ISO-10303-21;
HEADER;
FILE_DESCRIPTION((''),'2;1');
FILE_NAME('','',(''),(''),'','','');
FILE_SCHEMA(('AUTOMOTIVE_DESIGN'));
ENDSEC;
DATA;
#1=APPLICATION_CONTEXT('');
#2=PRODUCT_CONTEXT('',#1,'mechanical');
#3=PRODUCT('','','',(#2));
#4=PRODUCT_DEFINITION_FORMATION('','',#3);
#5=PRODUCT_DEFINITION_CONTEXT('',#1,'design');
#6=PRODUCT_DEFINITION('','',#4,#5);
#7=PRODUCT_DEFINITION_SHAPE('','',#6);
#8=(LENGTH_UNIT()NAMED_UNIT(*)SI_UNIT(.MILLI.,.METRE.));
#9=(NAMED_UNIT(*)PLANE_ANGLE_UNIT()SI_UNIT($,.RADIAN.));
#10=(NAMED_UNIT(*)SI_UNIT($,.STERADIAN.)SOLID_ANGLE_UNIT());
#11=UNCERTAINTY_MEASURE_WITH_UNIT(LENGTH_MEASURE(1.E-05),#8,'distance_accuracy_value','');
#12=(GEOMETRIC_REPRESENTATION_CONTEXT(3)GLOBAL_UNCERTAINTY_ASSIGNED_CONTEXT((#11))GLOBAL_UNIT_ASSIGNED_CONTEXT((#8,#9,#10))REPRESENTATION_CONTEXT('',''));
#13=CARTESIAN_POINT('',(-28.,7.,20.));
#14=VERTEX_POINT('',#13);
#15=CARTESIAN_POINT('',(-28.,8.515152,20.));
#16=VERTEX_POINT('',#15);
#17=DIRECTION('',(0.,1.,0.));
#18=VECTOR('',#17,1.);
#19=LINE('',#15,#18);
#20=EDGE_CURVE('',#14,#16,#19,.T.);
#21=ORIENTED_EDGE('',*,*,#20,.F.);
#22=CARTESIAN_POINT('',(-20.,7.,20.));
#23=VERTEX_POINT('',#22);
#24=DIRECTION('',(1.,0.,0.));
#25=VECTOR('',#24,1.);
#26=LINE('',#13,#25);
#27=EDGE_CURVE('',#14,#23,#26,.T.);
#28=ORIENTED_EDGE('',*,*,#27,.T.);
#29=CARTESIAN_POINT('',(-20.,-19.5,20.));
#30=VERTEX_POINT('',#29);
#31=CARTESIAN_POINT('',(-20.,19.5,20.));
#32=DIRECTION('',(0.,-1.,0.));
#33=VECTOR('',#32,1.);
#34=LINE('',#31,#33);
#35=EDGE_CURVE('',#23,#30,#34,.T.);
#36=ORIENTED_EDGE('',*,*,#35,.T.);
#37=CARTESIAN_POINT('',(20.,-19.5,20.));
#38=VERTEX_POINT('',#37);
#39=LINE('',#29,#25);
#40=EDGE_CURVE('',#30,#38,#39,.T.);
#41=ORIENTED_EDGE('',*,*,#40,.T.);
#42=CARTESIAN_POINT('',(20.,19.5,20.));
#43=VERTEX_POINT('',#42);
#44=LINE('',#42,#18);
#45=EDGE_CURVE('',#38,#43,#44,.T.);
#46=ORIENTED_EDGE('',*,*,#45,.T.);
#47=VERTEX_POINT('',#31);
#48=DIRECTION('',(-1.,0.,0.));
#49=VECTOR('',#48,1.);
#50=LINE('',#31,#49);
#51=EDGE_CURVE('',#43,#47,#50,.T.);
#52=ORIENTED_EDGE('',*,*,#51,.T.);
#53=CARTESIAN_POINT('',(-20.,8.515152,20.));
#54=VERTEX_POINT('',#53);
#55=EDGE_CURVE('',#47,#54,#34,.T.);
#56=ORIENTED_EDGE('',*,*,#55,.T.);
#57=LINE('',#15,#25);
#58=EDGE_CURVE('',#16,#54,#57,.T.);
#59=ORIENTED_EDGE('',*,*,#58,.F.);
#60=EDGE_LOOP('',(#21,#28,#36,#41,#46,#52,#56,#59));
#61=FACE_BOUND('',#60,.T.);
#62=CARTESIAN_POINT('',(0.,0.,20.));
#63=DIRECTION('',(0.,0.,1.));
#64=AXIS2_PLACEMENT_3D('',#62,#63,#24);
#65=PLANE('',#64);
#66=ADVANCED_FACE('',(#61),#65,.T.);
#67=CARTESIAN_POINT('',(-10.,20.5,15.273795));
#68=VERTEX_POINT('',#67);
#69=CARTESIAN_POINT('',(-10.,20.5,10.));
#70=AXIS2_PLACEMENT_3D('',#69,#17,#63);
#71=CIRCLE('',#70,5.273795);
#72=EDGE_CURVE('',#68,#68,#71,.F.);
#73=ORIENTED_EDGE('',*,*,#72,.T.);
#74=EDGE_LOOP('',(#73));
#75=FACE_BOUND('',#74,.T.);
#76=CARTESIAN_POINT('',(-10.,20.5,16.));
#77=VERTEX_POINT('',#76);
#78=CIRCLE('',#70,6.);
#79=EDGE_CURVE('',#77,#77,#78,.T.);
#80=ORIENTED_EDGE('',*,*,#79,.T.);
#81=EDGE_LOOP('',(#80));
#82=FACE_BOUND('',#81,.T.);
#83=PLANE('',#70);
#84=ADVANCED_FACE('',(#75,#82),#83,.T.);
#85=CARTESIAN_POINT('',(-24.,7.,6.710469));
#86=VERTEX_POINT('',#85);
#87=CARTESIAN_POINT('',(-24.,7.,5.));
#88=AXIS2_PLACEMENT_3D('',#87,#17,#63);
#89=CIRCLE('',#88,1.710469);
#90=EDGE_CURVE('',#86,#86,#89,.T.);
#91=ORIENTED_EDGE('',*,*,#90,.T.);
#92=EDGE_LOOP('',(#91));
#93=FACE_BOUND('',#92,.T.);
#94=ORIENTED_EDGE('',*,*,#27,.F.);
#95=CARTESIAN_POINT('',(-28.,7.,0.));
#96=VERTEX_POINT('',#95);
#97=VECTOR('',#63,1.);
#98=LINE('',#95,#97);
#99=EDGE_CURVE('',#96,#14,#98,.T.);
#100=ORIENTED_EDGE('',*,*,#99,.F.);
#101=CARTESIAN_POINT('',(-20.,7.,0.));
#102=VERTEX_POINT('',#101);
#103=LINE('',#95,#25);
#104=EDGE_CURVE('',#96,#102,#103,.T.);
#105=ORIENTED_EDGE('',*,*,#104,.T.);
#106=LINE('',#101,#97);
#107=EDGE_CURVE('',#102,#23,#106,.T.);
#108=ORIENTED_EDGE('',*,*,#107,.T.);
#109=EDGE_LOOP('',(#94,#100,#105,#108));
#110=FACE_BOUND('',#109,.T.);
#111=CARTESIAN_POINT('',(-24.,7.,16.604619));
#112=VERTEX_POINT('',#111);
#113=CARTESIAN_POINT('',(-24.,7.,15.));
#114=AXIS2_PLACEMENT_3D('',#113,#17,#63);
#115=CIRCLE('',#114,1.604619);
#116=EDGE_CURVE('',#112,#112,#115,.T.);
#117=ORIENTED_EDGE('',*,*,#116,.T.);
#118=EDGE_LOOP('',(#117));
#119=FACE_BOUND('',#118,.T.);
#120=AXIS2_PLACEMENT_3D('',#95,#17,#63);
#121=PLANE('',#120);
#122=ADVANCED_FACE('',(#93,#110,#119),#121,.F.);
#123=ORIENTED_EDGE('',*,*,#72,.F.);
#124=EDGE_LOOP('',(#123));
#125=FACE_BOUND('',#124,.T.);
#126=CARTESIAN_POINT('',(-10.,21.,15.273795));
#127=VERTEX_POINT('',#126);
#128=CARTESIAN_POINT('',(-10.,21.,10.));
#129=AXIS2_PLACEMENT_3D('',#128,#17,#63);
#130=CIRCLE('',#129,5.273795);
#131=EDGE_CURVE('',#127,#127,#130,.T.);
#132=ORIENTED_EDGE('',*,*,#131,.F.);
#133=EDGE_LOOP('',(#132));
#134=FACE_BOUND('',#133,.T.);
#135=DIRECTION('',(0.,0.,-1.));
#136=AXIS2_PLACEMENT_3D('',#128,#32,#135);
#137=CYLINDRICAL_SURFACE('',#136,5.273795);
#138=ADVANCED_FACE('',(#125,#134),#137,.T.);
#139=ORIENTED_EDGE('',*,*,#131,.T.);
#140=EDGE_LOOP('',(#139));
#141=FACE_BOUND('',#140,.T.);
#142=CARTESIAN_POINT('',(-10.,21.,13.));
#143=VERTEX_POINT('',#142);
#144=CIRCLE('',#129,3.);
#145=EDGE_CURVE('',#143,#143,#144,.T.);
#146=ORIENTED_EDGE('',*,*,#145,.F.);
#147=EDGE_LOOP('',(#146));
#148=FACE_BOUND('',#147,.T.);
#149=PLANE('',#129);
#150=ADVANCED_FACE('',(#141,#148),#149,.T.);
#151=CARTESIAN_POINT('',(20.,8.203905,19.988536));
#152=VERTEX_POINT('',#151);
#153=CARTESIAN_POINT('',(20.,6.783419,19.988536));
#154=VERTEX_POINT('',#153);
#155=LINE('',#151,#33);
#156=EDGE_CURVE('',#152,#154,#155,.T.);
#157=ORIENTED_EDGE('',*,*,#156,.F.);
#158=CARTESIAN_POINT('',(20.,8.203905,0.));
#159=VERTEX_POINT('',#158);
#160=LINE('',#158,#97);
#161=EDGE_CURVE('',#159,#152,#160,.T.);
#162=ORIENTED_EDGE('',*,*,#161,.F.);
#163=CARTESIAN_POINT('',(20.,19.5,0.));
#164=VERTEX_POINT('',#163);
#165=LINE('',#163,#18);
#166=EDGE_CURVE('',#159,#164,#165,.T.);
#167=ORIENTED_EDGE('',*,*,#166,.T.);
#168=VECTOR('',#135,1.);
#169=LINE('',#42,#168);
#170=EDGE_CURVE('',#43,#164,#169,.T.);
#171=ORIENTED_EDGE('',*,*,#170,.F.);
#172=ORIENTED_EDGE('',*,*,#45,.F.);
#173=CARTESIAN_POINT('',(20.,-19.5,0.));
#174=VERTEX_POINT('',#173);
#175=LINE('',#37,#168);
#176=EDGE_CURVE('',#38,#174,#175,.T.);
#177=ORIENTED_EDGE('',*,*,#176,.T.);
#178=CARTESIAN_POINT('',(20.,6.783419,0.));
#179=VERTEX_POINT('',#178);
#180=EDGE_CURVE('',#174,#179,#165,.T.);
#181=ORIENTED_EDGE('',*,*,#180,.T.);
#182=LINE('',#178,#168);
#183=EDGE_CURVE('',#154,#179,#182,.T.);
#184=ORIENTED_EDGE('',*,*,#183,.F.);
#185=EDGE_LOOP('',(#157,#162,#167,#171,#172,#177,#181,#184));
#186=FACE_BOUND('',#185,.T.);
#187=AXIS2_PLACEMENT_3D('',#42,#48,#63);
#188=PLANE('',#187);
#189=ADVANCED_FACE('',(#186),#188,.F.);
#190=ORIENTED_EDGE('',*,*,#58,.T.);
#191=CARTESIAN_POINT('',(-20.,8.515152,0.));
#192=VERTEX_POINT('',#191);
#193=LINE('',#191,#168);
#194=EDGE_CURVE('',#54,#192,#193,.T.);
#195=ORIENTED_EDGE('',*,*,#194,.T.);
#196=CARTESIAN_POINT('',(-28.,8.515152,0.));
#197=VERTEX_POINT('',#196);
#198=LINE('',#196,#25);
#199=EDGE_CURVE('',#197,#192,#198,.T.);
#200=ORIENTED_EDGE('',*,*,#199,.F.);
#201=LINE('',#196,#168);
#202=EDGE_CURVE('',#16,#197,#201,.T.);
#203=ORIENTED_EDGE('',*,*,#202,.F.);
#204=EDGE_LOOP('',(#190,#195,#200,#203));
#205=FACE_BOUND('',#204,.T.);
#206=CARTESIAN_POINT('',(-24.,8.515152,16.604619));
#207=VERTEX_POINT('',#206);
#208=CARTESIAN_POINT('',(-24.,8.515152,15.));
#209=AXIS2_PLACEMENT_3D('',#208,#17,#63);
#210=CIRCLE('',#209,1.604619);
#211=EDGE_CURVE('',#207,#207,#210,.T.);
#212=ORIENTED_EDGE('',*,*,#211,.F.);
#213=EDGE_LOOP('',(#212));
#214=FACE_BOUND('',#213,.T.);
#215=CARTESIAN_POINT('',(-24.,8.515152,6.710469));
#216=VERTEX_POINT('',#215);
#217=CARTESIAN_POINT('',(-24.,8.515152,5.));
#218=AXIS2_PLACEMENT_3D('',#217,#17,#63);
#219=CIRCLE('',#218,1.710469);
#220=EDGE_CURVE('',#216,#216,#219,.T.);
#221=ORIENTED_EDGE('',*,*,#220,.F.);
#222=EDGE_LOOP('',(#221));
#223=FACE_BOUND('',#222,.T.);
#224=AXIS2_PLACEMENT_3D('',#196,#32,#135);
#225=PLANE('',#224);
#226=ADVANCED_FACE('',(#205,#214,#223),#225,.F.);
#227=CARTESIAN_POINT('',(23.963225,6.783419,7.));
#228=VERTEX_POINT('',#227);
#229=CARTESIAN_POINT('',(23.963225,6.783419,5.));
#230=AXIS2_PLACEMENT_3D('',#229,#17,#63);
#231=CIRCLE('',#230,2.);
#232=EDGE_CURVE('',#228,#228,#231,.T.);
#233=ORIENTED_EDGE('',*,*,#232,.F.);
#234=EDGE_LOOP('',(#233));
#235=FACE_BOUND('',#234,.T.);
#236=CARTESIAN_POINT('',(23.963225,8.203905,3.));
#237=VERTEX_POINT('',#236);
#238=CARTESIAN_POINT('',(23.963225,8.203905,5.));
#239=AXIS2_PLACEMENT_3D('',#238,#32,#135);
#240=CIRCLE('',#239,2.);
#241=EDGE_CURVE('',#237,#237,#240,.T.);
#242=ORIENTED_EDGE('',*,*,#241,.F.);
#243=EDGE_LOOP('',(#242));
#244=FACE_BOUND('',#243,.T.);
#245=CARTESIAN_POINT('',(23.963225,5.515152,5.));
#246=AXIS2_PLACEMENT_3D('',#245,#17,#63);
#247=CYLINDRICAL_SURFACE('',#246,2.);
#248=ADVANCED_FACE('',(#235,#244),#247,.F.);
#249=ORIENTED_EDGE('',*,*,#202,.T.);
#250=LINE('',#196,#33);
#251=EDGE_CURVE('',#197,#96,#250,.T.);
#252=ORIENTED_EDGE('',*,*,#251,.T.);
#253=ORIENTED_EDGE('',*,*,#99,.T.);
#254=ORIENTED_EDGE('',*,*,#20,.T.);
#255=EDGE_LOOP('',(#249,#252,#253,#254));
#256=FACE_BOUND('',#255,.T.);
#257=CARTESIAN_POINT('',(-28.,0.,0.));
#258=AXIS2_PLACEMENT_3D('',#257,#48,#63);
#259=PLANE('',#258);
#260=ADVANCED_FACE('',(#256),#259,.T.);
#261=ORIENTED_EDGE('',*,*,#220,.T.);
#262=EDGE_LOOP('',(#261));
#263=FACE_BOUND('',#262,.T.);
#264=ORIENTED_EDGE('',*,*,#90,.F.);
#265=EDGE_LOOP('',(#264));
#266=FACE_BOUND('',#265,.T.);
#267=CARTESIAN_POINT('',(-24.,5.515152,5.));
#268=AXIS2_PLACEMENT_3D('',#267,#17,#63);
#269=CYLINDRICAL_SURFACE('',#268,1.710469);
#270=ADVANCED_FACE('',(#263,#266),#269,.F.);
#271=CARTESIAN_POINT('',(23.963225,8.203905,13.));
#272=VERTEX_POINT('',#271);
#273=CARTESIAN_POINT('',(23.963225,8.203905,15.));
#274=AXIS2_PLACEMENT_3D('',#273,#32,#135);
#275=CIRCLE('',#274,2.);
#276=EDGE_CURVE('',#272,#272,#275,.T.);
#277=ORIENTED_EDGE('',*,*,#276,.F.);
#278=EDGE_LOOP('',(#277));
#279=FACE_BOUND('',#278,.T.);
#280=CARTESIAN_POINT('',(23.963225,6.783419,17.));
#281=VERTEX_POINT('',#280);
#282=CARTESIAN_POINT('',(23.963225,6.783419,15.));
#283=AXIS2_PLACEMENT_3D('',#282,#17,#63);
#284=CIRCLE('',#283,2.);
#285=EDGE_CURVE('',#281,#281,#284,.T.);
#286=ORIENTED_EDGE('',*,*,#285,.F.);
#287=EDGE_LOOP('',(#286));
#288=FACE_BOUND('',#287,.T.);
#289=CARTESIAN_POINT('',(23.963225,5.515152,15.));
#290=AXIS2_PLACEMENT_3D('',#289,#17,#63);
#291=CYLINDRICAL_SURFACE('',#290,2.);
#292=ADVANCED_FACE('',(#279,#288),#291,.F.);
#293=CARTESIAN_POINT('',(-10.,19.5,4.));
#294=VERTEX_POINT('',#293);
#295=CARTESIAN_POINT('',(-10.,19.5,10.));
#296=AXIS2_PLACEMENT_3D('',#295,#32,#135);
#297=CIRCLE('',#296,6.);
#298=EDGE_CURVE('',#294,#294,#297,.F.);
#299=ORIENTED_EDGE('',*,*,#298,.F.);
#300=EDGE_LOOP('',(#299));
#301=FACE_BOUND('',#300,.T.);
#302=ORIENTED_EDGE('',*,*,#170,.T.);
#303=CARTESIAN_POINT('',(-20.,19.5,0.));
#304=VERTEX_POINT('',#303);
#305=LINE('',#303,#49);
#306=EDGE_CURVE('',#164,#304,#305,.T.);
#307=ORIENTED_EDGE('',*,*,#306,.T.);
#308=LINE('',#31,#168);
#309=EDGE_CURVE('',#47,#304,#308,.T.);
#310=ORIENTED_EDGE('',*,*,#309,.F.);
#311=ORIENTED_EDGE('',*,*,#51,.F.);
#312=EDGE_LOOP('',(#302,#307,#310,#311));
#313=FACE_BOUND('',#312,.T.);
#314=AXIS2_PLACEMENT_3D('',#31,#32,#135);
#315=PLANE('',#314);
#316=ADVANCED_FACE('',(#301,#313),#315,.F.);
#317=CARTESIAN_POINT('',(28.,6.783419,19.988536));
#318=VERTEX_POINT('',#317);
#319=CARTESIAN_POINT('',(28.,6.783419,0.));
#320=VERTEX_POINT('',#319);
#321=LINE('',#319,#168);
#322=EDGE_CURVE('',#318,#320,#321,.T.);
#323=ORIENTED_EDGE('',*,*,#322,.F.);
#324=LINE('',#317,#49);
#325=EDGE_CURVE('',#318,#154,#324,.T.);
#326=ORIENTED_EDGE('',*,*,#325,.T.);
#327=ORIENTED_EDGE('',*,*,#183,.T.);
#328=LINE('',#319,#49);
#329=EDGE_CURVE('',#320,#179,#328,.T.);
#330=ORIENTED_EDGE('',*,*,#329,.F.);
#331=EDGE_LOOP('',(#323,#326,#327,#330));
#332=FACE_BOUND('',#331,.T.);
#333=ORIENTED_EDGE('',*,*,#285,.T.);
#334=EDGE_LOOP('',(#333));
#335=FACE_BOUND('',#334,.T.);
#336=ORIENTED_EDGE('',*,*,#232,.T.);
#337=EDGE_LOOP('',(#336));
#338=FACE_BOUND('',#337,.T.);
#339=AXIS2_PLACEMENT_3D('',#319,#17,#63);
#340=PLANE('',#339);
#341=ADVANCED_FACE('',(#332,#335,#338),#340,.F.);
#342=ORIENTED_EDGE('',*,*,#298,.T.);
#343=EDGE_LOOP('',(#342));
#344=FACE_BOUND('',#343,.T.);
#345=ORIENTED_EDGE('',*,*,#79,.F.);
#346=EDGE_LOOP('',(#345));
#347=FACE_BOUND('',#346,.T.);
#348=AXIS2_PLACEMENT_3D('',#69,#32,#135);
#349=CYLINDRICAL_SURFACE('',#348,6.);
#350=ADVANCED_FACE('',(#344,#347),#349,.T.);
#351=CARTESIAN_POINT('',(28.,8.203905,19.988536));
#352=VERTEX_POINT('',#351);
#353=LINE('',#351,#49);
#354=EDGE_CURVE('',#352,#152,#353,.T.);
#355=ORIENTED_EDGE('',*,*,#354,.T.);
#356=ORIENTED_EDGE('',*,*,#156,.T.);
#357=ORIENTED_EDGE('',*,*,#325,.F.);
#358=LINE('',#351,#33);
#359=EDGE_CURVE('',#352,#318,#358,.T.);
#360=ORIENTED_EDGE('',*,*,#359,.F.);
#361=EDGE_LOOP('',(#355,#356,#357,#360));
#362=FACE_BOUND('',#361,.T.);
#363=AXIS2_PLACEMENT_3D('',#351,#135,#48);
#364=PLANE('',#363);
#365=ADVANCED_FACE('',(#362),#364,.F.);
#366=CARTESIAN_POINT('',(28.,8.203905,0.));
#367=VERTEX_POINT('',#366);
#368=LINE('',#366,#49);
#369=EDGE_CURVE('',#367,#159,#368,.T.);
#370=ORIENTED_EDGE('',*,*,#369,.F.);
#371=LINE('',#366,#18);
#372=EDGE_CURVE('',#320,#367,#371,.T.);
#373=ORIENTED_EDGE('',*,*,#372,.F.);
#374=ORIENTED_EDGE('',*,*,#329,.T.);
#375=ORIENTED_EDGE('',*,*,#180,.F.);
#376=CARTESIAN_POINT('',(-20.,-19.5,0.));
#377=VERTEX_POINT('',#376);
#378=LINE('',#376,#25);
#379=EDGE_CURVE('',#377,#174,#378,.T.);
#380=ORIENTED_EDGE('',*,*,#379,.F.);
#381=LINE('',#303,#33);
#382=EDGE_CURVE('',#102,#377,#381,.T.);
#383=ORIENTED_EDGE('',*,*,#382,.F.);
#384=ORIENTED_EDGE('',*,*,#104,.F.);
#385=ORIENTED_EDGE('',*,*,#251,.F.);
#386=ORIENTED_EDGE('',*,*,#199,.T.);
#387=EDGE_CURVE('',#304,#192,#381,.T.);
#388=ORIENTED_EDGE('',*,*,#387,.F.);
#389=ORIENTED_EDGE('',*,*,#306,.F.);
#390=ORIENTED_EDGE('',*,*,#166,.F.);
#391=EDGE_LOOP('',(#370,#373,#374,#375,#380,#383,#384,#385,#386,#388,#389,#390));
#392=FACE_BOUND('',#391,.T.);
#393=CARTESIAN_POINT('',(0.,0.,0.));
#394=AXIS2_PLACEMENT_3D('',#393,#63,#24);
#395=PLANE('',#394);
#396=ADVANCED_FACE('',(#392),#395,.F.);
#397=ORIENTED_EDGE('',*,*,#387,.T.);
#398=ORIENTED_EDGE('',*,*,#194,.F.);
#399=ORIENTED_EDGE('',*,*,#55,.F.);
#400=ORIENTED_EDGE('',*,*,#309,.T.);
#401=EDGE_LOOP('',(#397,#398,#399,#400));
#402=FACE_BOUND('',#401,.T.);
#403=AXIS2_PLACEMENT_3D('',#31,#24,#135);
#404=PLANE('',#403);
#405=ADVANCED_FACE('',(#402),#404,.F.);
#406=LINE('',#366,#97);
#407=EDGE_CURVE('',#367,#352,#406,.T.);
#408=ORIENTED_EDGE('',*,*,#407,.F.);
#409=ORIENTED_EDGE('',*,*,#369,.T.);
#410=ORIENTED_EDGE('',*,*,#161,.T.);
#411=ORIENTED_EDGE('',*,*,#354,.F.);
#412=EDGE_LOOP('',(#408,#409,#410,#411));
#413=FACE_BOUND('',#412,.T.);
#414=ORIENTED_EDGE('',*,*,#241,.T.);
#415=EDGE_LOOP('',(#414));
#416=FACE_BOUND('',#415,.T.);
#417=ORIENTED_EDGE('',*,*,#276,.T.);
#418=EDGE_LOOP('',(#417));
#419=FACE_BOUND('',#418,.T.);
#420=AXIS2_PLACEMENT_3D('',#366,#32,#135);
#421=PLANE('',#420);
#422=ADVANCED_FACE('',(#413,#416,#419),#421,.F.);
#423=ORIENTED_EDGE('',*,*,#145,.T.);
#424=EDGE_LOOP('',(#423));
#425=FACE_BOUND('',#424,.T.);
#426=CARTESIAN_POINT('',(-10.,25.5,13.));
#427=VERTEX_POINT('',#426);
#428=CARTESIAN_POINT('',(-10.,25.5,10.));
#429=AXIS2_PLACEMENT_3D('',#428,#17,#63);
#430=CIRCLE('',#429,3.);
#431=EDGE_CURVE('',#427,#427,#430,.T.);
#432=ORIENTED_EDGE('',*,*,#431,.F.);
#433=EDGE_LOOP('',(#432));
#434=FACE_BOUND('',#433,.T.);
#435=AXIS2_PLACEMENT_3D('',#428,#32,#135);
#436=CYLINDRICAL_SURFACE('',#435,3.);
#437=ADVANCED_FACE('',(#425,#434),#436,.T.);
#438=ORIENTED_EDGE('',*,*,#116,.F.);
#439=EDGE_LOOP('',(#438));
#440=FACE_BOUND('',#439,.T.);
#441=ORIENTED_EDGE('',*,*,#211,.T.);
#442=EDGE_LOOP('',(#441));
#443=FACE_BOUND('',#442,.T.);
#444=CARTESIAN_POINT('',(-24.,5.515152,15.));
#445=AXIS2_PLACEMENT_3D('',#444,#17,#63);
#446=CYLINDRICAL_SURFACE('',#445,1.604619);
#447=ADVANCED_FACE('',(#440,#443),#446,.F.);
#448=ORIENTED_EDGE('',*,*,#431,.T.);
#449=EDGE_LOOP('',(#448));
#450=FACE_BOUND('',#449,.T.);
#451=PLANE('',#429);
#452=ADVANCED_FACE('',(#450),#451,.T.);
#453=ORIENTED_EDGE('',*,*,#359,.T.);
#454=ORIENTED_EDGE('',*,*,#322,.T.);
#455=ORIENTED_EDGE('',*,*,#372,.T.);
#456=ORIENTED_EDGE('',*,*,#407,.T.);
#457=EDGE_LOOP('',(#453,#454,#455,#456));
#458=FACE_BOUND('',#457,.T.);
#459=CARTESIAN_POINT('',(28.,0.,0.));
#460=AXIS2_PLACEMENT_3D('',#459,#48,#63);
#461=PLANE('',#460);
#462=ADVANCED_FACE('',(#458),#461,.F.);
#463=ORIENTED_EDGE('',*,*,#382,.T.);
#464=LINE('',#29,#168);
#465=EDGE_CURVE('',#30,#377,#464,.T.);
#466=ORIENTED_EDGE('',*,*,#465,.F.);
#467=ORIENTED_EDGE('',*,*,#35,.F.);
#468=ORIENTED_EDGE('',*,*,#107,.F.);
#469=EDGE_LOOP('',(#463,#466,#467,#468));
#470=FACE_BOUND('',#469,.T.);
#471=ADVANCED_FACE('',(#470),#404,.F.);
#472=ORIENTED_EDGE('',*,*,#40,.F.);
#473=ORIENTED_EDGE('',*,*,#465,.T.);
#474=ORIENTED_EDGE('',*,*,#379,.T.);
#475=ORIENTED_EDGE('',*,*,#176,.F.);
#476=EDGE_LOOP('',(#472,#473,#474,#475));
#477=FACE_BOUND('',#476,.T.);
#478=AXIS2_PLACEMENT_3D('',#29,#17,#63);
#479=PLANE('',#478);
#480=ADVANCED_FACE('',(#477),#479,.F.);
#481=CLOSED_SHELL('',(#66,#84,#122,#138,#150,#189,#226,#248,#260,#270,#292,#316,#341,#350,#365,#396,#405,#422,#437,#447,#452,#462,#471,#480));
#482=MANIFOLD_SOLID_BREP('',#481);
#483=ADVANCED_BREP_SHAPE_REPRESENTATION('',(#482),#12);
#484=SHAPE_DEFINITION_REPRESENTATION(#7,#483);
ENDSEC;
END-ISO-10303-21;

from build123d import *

# Parameters (mm, degrees)
SKETCH_1_W          = 40
SKETCH_1_H          = 39
EXTRUDE_1_DEPTH     = 20
SKETCH_3_R          = 6
EXTRUDE_2_DEPTH     = 1
SKETCH_4_R          = 3
EXTRUDE_4_DEPTH     = 25.5
SKETCH_5_W          = 20
SKETCH_5_H          = 1.515151515
EXTRUDE_5_DEPTH     = 8
SKETCH_6_W          = 19.988535735
SKETCH_6_H          = 1.420485619
EXTRUDE_8_DEPTH     = 8
SKETCH_7_R          = 1.710468594
SKETCH_7_R_2        = 1.604618823
SKETCH_7_R_3        = 2
CUT_EXTRUDE_2_DEPTH = 3
SKETCH_9_R          = 5.273794996
EXTRUDE_9_DEPTH     = 1.5


with BuildPart() as part:
    # 草图1 → 凸台-拉伸1 (new body)
    with BuildSketch(Plane.XY):
        Rectangle(SKETCH_1_W, SKETCH_1_H)
    extrude(amount=EXTRUDE_1_DEPTH)

    # 草图3 → 凸台-拉伸2 (add)
    with BuildSketch(Plane(origin=(0, 19.5, 0), x_dir=(1, 0, 0), z_dir=(0, 1, 0))):
        with Locations(Location((-10, -10, 0), (0, 0, 90))):
            Circle(SKETCH_3_R)
    extrude(amount=EXTRUDE_2_DEPTH)

    # 草图4 → 凸台-拉伸4 (add)
    with BuildSketch(Plane(origin=(0, 0, 0), x_dir=(1, 0, 0), z_dir=(0, 1, 0))):
        with Locations(Location((-10, -10, 0), (0, 0, 270))):
            Circle(SKETCH_4_R)
    extrude(amount=EXTRUDE_4_DEPTH)

    # 草图5 → 凸台-拉伸5 (add)
    with BuildSketch(Plane.ZY.offset(20)):
        with Locations((10, 7.757575758)):
            Rectangle(SKETCH_5_W, SKETCH_5_H)
    extrude(amount=EXTRUDE_5_DEPTH)

    # 草图6 → 凸台-拉伸8 (add)
    with BuildSketch(Plane(origin=(20, 0, 0), x_dir=(0, 0, -1), z_dir=(1, 0, 0))):
        with Locations((-9.994267868, 7.493661874)):
            Rectangle(SKETCH_6_W, SKETCH_6_H)
    extrude(amount=EXTRUDE_8_DEPTH)

    # 草图7 → 切除-拉伸2 (cut)
    with BuildSketch(Plane(origin=(0, 8.515151515, 0), x_dir=(1, 0, 0), z_dir=(0, 1, 0))):
        with Locations(Location((-24, -5, 0), (0, 0, 270))):
            Circle(SKETCH_7_R)
        with Locations(Location((-24, -15, 0), (0, 0, 270))):
            Circle(SKETCH_7_R_2)
        with Locations(Location((23.963224728, -5, 0), (0, 0, 270))):
            Circle(SKETCH_7_R_3)
        with Locations(Location((23.963224728, -15, 0), (0, 0, 270))):
            Circle(SKETCH_7_R_3)
    extrude(amount=-CUT_EXTRUDE_2_DEPTH, mode=Mode.SUBTRACT)

    # 草图9 → 凸台-拉伸9 (add)
    with BuildSketch(Plane(origin=(0, 19.5, 0), x_dir=(1, 0, 0), z_dir=(0, 1, 0))):
        with Locations(Location((-10, -10, 0), (0, 0, 270))):
            Circle(SKETCH_9_R)
    extrude(amount=EXTRUDE_9_DEPTH)


solid = part.part
